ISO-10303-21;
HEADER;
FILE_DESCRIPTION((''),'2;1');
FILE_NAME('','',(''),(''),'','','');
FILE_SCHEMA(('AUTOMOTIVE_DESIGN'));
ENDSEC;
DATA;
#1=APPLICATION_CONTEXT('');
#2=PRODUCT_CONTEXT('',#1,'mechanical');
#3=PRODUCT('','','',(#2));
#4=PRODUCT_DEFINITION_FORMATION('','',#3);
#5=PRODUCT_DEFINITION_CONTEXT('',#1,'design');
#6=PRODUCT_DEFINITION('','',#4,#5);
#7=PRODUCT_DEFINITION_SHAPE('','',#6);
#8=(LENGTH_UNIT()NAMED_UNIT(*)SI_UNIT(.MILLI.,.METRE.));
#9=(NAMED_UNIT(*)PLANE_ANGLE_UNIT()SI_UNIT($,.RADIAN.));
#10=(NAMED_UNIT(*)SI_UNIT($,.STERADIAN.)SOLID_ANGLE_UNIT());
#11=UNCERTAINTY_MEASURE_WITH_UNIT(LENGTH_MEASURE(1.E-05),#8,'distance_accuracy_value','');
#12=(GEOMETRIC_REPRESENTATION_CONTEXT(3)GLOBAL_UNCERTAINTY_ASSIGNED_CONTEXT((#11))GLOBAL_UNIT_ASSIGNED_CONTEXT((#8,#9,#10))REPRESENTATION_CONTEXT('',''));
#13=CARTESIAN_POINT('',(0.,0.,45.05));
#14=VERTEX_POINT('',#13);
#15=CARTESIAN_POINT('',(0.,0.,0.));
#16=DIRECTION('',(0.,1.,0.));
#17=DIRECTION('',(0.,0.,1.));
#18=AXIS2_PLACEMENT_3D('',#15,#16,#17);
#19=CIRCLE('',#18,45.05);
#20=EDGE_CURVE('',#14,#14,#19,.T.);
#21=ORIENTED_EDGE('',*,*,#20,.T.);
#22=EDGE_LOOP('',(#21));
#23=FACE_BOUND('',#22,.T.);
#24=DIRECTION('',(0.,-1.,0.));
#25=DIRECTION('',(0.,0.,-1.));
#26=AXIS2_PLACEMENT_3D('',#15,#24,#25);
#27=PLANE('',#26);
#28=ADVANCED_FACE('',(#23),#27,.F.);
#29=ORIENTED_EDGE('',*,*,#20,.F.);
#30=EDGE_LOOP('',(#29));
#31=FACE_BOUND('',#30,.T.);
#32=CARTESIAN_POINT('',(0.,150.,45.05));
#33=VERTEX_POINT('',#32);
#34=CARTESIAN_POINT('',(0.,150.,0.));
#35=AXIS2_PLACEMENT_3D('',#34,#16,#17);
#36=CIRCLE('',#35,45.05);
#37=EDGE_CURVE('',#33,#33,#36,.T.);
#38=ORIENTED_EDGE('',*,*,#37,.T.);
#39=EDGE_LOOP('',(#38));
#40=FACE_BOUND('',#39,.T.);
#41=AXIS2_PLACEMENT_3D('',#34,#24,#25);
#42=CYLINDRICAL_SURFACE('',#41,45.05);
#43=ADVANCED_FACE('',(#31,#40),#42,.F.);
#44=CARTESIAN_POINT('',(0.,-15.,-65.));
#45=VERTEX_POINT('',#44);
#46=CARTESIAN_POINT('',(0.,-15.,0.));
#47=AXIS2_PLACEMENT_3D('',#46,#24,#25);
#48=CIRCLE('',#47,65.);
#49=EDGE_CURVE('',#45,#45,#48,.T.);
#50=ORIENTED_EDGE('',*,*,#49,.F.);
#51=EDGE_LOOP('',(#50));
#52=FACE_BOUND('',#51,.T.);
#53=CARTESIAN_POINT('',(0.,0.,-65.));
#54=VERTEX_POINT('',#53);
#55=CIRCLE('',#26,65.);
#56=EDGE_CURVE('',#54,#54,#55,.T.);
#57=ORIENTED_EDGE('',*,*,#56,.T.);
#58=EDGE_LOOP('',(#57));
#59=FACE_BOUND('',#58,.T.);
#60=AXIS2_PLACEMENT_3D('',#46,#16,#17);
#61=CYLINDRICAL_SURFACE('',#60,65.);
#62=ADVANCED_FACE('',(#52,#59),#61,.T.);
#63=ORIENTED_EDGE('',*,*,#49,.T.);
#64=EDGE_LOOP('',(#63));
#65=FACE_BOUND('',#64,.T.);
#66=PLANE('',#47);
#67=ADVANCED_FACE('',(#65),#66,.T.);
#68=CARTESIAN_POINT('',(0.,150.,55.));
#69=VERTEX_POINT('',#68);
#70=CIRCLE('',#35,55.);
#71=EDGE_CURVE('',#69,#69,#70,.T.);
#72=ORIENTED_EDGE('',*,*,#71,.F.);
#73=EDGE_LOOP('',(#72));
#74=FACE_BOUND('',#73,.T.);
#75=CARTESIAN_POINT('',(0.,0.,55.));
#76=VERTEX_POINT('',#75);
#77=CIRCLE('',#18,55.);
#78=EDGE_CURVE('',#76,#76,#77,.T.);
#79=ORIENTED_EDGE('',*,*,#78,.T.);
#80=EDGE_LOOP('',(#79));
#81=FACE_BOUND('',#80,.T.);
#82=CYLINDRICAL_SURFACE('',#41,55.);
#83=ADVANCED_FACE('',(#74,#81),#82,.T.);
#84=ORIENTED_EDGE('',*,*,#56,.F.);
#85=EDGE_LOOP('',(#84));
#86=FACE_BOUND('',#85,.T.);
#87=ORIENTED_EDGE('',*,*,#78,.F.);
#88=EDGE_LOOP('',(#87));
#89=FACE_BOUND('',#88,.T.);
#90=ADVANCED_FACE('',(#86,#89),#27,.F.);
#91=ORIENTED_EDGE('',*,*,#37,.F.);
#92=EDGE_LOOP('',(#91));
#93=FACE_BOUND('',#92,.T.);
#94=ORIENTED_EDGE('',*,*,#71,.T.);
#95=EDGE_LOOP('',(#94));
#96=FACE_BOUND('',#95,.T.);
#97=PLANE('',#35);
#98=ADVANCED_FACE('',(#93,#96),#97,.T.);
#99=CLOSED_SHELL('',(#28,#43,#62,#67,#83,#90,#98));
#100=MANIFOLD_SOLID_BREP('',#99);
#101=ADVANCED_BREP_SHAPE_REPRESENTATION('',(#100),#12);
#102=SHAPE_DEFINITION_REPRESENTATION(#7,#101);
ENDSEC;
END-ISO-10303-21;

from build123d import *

# Parameters (mm, degrees)
SKETCH1_R           = 55
SKETCH1_R_2         = 45.05
BOSS_EXTRUDE1_DEPTH = 150
SKETCH2_R           = 65
BOSS_EXTRUDE2_DEPTH = 15


with BuildPart() as part:
    # Sketch1 → Boss-Extrude1 (new body)
    with BuildSketch(Plane(origin=(0, 0, 0), x_dir=(1, 0, 0), z_dir=(0, 1, 0))):
        Circle(SKETCH1_R)
        Circle(SKETCH1_R_2, mode=Mode.SUBTRACT)
    extrude(amount=BOSS_EXTRUDE1_DEPTH)

    # Sketch2 → Boss-Extrude2 (add)
    with BuildSketch(Plane.XZ):
        Circle(SKETCH2_R)
    extrude(amount=BOSS_EXTRUDE2_DEPTH)


solid = part.part
